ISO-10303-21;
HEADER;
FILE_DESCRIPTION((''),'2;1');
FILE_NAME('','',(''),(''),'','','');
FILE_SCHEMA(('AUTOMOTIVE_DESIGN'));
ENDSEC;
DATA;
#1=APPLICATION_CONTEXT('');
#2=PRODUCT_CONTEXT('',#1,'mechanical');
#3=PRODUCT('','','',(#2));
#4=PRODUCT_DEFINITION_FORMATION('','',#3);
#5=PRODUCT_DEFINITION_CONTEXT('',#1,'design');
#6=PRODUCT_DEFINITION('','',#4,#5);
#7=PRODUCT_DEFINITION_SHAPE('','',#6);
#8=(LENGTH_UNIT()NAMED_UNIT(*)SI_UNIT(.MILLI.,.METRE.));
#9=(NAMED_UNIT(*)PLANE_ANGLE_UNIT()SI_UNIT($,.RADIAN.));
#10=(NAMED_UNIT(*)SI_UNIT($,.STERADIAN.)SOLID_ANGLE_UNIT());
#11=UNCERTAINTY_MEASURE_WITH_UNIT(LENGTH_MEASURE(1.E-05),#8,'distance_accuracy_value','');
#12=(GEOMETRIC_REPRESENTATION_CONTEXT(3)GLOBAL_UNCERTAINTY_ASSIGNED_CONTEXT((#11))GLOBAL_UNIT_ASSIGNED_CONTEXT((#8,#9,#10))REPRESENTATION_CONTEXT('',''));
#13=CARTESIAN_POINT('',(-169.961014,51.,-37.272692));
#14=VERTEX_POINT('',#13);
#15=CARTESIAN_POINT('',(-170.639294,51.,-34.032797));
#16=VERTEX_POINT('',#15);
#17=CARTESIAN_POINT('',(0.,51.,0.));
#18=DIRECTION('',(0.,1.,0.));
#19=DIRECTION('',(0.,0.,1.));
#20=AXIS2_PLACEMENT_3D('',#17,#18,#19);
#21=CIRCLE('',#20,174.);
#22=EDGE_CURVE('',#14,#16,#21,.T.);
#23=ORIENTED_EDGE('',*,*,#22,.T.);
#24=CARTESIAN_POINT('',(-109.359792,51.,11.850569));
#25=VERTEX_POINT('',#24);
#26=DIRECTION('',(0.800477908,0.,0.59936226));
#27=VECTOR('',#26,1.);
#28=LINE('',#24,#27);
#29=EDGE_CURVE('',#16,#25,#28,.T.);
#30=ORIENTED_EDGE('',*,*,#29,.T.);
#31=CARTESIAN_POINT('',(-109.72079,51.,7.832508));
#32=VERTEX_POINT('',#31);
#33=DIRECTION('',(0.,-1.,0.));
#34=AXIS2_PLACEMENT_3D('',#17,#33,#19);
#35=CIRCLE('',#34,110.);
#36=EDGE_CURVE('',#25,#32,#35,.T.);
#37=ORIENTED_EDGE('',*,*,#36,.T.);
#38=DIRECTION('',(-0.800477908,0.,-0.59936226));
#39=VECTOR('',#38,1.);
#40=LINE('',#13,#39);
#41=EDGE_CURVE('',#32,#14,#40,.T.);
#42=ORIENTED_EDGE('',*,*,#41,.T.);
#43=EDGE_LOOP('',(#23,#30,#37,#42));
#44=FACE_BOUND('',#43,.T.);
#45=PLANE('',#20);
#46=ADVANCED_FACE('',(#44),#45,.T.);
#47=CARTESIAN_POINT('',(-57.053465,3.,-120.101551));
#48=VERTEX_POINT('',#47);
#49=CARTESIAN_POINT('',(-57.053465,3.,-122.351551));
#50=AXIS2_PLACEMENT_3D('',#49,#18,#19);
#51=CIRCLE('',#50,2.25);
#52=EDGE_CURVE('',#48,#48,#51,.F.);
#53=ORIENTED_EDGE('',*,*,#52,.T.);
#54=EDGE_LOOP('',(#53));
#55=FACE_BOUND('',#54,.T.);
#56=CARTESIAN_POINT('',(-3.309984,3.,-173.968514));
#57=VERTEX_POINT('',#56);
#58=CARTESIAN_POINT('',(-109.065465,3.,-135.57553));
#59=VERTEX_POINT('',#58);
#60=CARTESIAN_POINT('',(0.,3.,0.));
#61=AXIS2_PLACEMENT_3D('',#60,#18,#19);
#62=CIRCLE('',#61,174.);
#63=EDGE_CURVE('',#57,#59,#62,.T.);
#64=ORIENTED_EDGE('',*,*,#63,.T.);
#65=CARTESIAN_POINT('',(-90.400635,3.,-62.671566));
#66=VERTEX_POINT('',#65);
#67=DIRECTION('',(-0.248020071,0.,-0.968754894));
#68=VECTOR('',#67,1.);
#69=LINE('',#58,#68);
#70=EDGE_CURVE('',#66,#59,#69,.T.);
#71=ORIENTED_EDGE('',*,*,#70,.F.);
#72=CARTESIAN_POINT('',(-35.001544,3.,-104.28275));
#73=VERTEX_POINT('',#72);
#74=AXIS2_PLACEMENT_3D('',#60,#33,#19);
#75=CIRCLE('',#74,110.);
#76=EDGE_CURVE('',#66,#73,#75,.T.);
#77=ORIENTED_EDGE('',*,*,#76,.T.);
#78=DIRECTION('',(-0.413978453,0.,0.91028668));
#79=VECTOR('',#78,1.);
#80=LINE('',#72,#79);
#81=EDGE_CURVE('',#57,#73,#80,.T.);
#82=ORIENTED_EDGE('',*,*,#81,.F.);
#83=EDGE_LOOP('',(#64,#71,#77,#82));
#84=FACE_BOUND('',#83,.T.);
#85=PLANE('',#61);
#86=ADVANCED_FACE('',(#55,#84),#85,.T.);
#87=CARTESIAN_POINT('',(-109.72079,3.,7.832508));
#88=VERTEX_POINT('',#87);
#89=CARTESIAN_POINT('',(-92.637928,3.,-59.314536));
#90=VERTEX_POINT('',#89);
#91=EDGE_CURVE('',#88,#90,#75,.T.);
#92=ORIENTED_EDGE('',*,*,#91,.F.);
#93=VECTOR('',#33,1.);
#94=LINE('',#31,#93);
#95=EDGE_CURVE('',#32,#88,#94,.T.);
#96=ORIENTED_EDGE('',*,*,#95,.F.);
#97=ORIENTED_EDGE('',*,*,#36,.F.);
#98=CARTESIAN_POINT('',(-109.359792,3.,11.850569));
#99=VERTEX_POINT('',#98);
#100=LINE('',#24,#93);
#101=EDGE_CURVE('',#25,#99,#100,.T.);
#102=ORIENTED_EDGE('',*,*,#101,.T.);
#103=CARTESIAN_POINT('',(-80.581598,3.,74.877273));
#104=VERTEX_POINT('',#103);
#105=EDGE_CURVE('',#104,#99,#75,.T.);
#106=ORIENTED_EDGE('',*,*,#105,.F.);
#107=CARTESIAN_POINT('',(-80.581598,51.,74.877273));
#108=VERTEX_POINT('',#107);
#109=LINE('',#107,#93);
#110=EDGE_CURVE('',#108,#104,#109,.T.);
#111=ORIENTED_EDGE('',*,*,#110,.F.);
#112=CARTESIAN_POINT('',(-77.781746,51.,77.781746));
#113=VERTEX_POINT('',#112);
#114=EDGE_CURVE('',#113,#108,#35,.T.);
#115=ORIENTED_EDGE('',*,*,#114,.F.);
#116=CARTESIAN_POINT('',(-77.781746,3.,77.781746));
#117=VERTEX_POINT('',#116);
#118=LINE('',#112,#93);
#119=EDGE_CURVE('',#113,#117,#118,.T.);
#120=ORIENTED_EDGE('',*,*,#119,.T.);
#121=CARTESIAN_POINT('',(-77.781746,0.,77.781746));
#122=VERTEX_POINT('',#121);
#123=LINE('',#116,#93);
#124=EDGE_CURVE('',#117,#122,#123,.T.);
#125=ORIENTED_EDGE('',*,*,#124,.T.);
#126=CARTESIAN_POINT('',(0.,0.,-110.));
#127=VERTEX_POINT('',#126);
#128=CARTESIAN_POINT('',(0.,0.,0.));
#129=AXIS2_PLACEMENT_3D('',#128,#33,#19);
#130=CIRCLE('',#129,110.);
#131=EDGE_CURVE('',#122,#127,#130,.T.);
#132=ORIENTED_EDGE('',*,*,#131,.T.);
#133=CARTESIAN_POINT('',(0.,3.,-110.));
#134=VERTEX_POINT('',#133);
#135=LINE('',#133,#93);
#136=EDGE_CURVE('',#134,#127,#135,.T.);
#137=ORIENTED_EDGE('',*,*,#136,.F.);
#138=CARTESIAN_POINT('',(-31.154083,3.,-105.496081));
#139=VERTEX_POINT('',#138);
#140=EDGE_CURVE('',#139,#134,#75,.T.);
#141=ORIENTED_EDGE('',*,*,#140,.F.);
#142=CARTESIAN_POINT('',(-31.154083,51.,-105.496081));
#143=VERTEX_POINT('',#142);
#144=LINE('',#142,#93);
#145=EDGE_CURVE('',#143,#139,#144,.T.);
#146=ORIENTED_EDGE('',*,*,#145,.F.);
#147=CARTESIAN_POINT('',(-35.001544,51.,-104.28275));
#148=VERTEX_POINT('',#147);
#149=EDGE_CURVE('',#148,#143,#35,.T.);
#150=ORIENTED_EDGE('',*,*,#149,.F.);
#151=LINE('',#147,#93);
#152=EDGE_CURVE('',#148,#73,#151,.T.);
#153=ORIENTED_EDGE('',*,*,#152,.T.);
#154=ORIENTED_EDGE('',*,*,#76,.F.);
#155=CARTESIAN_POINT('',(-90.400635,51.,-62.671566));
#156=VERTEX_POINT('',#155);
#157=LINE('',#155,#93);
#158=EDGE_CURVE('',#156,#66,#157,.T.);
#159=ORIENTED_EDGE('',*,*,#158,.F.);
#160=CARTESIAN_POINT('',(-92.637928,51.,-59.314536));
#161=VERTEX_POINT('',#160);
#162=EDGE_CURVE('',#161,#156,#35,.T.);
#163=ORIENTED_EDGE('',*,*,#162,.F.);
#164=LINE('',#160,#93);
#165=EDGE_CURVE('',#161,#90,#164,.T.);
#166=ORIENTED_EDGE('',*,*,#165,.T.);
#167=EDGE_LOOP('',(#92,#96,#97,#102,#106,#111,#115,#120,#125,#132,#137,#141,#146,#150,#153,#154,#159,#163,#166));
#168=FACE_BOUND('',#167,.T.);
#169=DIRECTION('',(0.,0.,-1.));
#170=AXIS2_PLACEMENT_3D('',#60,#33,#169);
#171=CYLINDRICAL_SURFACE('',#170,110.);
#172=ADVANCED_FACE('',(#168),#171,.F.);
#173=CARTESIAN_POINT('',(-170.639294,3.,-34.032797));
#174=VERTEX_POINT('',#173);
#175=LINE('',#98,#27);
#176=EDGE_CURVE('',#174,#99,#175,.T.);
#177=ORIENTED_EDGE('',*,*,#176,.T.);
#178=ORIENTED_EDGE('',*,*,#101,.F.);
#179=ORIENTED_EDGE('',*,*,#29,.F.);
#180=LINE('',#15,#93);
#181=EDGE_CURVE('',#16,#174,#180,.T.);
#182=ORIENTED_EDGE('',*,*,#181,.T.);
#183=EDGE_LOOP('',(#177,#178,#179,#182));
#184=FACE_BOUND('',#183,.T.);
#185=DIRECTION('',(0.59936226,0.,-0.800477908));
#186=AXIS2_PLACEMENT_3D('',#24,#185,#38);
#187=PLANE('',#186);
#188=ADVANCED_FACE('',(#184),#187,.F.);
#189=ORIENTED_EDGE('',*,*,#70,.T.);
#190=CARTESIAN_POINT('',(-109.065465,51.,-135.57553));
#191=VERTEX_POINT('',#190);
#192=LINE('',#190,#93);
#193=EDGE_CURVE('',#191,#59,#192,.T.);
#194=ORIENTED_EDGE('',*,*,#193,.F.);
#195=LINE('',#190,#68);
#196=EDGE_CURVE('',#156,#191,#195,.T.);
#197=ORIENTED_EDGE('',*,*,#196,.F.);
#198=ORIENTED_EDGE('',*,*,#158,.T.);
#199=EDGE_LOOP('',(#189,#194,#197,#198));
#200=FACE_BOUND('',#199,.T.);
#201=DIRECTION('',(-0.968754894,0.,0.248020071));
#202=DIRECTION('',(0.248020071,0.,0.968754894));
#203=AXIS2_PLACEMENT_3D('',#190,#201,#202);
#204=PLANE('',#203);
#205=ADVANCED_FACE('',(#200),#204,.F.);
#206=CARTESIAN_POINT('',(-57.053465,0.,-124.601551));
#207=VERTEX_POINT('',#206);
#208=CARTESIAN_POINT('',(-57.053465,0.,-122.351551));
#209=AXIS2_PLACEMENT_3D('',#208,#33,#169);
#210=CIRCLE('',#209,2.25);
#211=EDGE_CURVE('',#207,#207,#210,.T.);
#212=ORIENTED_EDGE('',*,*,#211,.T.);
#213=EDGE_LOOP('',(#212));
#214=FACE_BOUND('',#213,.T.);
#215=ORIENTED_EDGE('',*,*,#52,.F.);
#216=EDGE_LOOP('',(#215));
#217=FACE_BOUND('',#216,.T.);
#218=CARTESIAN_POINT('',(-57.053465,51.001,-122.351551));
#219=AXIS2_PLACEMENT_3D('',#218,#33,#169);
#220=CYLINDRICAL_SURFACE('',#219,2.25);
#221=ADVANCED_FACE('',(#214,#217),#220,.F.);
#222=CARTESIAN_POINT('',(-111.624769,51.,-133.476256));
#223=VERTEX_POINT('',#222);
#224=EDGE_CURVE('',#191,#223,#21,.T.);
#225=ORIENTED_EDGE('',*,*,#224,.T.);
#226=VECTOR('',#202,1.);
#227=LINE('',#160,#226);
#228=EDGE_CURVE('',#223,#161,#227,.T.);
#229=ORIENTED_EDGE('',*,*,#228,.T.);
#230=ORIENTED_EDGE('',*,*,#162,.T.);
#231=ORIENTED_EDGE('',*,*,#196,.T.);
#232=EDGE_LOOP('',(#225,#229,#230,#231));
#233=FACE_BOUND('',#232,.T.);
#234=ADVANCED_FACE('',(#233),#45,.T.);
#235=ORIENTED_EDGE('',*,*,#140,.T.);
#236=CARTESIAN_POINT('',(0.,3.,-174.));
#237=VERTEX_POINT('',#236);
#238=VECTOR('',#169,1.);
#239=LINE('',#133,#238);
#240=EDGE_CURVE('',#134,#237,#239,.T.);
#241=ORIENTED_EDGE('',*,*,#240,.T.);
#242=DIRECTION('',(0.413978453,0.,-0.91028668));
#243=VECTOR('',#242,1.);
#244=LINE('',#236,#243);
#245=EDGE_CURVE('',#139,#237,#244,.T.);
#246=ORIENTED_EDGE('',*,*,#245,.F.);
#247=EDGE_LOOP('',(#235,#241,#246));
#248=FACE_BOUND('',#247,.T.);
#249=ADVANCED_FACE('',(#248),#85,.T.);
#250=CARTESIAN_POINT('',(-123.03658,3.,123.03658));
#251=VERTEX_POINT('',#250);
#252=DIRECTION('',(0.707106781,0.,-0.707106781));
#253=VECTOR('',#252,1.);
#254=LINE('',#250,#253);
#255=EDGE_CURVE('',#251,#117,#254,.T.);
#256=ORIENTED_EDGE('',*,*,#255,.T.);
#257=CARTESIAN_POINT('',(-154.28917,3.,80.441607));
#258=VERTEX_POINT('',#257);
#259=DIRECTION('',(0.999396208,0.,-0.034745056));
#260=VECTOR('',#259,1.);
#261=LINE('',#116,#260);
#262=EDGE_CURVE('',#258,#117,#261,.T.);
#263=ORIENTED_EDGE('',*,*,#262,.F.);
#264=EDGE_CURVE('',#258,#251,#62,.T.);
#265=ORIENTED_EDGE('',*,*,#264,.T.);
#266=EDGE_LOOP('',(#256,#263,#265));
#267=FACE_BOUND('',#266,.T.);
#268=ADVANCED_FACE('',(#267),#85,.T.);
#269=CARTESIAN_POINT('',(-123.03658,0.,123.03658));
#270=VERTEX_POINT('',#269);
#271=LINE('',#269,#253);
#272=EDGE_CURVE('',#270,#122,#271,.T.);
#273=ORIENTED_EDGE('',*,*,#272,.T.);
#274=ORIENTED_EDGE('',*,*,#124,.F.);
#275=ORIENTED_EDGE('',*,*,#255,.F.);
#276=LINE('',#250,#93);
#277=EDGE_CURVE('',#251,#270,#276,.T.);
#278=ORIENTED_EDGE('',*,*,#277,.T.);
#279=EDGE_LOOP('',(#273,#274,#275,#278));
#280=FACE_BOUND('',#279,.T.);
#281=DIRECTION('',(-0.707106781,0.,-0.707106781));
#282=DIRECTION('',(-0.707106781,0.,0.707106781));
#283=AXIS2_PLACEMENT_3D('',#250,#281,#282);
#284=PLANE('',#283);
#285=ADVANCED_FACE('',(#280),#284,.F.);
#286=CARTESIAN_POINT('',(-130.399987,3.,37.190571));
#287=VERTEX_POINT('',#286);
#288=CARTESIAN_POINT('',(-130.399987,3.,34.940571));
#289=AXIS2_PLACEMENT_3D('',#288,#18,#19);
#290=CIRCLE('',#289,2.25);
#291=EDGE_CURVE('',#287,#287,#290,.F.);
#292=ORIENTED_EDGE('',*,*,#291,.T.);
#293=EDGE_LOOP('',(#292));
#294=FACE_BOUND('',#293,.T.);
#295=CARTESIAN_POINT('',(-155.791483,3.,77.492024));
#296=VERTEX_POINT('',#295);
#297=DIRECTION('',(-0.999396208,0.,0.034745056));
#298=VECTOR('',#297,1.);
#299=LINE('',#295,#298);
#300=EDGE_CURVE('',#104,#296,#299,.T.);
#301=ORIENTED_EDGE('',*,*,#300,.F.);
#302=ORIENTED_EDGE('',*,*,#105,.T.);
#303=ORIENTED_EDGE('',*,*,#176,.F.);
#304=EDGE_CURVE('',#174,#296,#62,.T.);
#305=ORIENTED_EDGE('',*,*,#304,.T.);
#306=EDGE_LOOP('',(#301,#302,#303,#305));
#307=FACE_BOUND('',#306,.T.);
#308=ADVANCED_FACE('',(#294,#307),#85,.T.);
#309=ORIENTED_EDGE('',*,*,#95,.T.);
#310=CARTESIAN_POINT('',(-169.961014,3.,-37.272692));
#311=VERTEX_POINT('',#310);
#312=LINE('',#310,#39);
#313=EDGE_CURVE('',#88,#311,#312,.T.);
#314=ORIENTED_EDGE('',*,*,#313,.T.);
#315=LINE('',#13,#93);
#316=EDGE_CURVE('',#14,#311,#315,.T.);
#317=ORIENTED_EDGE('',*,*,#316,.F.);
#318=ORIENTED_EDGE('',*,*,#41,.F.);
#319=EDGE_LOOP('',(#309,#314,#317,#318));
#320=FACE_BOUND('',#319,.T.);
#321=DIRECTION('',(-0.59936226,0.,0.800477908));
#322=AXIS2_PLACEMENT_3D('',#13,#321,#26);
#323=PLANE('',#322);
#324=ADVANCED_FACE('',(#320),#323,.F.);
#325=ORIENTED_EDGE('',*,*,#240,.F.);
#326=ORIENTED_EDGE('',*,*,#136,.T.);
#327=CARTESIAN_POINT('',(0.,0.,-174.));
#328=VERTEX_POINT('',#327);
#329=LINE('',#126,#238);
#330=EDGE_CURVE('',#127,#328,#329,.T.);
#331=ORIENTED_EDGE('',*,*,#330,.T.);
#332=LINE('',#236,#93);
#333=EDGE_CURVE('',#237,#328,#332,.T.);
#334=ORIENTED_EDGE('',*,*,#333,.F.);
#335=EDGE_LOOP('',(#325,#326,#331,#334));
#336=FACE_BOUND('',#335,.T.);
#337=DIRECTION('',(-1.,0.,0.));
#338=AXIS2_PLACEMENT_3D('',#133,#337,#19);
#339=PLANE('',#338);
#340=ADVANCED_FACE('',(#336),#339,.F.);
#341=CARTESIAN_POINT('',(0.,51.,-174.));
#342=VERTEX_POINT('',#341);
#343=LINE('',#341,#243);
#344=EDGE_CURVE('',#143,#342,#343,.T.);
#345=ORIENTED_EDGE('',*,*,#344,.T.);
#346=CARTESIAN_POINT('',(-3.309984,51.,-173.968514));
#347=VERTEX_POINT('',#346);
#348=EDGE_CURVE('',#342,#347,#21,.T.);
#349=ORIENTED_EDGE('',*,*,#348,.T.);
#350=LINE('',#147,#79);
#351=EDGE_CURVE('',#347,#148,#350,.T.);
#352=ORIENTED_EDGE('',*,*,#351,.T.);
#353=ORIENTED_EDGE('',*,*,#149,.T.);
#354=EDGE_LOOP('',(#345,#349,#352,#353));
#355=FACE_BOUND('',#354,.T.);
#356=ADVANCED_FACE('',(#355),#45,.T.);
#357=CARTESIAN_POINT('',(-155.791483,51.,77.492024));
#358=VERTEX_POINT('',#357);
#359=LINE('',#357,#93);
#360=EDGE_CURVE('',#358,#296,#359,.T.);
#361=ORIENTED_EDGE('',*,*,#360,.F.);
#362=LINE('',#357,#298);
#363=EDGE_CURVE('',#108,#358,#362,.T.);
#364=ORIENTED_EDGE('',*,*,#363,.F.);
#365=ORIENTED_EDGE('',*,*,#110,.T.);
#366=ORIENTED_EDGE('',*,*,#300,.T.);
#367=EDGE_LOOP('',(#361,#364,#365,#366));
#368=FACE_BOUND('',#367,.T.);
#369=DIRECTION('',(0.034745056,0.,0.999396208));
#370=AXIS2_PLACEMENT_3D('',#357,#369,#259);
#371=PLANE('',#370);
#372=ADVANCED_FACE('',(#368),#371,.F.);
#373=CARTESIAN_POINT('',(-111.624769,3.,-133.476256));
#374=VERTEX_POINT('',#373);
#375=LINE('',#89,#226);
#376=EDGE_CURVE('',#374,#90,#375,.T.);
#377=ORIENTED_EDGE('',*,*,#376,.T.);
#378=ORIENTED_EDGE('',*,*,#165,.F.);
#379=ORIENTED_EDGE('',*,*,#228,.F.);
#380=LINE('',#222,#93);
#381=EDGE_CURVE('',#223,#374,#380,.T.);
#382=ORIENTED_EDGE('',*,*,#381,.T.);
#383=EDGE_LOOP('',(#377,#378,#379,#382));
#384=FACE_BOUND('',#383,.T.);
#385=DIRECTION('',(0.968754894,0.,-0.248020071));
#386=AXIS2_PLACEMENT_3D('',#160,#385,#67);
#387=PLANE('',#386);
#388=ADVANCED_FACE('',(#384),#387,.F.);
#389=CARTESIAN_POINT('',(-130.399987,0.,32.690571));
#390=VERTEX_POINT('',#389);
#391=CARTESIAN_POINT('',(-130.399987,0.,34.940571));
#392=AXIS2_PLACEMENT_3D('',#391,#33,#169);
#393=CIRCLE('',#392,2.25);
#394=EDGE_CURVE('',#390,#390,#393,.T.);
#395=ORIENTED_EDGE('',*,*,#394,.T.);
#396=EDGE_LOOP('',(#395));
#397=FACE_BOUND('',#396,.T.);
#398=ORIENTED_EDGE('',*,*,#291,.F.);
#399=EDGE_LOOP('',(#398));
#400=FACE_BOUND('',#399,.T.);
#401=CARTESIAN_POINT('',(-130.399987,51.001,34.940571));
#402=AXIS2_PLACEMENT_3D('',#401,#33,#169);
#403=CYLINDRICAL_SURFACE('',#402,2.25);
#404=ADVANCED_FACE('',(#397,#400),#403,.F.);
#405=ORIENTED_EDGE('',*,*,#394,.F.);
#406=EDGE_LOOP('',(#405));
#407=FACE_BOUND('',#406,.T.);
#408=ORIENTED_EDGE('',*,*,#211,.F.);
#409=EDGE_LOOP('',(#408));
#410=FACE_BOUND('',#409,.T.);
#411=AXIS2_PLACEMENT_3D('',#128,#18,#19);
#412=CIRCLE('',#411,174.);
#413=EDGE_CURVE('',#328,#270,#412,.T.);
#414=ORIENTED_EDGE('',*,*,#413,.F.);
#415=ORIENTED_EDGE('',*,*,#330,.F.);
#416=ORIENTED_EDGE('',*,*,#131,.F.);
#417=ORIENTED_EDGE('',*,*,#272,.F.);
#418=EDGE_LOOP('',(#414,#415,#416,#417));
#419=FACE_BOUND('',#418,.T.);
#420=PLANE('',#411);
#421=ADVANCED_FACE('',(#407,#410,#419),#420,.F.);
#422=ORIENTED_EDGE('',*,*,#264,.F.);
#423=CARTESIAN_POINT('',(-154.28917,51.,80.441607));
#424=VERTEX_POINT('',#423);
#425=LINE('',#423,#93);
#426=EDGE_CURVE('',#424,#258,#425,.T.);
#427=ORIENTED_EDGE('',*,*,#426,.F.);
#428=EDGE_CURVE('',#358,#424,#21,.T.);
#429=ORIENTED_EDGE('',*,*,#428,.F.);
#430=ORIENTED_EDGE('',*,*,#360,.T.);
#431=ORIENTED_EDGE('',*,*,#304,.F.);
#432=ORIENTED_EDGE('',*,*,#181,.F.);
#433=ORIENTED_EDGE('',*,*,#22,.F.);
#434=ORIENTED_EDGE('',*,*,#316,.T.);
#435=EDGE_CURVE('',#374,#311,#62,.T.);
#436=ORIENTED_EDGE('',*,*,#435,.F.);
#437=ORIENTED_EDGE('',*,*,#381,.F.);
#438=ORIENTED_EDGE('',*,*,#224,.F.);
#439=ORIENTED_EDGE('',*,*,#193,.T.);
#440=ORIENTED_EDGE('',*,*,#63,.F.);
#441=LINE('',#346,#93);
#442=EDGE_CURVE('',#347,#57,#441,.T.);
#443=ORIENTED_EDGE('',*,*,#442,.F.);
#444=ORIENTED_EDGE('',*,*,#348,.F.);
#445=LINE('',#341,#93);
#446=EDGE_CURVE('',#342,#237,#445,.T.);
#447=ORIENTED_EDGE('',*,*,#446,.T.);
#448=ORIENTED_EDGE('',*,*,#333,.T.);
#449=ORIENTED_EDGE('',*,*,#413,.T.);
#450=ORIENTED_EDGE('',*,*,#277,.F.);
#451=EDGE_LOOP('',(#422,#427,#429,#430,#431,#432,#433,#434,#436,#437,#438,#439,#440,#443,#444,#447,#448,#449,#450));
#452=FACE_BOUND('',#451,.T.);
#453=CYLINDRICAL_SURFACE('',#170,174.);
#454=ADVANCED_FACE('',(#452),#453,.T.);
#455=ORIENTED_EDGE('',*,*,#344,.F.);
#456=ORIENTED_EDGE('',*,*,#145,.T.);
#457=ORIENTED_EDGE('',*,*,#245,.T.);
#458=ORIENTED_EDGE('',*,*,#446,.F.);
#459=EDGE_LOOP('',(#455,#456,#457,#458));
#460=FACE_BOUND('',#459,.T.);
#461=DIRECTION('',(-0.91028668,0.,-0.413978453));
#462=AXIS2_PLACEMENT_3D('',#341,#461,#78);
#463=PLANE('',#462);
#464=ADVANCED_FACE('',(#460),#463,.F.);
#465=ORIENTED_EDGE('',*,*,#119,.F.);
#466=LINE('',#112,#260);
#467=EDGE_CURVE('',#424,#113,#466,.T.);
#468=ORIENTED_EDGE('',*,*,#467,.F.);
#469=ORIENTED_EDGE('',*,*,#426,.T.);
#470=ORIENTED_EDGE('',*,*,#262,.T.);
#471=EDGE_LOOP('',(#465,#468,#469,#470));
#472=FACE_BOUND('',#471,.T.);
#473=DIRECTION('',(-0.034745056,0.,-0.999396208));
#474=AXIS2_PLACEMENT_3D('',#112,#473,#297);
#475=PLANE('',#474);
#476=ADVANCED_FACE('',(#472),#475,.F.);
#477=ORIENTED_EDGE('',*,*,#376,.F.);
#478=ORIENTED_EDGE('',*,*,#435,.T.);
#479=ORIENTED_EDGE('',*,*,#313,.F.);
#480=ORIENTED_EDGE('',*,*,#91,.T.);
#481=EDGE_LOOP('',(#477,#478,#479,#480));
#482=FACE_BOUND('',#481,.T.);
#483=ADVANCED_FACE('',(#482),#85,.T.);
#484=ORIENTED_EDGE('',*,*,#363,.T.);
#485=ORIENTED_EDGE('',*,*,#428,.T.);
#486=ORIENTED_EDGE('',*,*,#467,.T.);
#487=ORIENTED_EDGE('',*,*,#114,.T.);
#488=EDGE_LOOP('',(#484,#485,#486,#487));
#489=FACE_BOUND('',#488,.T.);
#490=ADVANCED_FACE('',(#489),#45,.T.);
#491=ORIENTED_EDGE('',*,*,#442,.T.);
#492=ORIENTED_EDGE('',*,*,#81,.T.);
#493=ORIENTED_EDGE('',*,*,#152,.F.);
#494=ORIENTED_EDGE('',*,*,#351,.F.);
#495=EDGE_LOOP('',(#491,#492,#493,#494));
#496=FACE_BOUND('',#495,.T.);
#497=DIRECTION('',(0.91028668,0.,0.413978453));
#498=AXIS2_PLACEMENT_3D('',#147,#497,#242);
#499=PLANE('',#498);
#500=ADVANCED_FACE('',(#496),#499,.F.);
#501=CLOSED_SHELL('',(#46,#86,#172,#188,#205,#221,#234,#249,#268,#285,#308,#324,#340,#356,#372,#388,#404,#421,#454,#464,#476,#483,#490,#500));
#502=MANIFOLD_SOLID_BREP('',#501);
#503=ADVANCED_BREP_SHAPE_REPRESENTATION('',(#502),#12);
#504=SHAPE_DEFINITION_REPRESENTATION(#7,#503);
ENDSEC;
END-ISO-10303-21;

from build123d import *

# Parameters (mm, degrees)
BOSS_EXTRUDE3_DEPTH = 3
BOSS_EXTRUDE4_DEPTH = 48
CUT_EXTRUDE1_REACH  = 53
SKETCH3_R           = 2.25


with BuildPart() as part:
    # Sketch1 → Boss-Extrude3 (new body)
    with BuildSketch(Plane(origin=(0, 0, 0), x_dir=(1, 0, 0), z_dir=(0, 1, 0))):
        with BuildLine():
            Line((0, 110), (0, 174))
            ThreePointArc((0, 174), (-160.755038657, 66.586917232), (-123.036579926, -123.036579926))
            Line((-123.036579926, -123.036579926), (-77.781745931, -77.781745931))
            ThreePointArc((-77.781745931, -77.781745931), (-101.626748576, 42.09517756), (0, 110))
        make_face()
    extrude(amount=BOSS_EXTRUDE3_DEPTH)

    # Sketch2 → Boss-Extrude4 (add)
    with BuildSketch(Plane(origin=(0, 3, 0), x_dir=(1, 0, 0), z_dir=(0, 1, 0))):
        with BuildLine():
            Line((0, 174), (-31.15408253, 105.496081168))
            ThreePointArc((-31.15408253, 105.496081168), (-33.083376151, 104.907055161), (-35.001544118, 104.282749817))
            Line((-35.001544118, 104.282749817), (-3.30998401, 173.96851441))
            ThreePointArc((-3.30998401, 173.96851441), (-1.655066878, 173.992128424), (0, 174))
        make_face()
        with BuildLine():
            Line((-109.065465459, 135.575529666), (-90.400634695, 62.671566494))
            ThreePointArc((-90.400634695, 62.671566494), (-91.534672677, 61.00330891), (-92.637928339, 59.31453644))
            Line((-92.637928339, 59.31453644), (-111.624769164, 133.476255975))
            ThreePointArc((-111.624769164, 133.476255975), (-110.350109434, 134.531978904), (-109.065465459, 135.575529666))
        make_face()
        with BuildLine():
            Line((-169.961014343, 37.272692462), (-109.720790239, -7.832508497))
            ThreePointArc((-109.720790239, -7.832508497), (-109.558712711, -9.843194048), (-109.359791534, -11.850569418))
            Line((-109.359791534, -11.850569418), (-170.639294189, 34.032797103))
            ThreePointArc((-170.639294189, 34.032797103), (-170.307858813, 35.654357748), (-169.961014343, 37.272692462))
        make_face()
        with BuildLine():
            Line((-155.791483302, -77.492023659), (-80.581598087, -74.877273253))
            ThreePointArc((-80.581598087, -74.877273253), (-79.194988304, -76.342346228), (-77.781745931, -77.781745931))
            Line((-77.781745931, -77.781745931), (-154.289169819, -80.441606627))
            ThreePointArc((-154.289169819, -80.441606627), (-155.047340737, -78.970387679), (-155.791483302, -77.492023659))
        make_face()
    extrude(amount=BOSS_EXTRUDE4_DEPTH)

    # Sketch3 → Cut-Extrude1 (cut, up to next)
    with BuildSketch(Plane.XZ, mode=Mode.PRIVATE) as cut_extrude1_sk1:
        with Locations((-57.053465335, -122.35155125)):
            Circle(SKETCH3_R)
    cut_extrude1_tool1 = extrude(cut_extrude1_sk1.sketch, amount=-CUT_EXTRUDE1_REACH, mode=Mode.PRIVATE) & part.part
    add(cut_extrude1_tool1.solids().sort_by_distance((-57.053465, 0, -122.351551))[0], mode=Mode.SUBTRACT)
    # Sketch3 → Cut-Extrude1 (cut, up to next)
    with BuildSketch(Plane.XZ, mode=Mode.PRIVATE) as cut_extrude1_sk2:
        with Locations((-130.399986549, 34.940571089)):
            Circle(SKETCH3_R)
    cut_extrude1_tool2 = extrude(cut_extrude1_sk2.sketch, amount=-CUT_EXTRUDE1_REACH, mode=Mode.PRIVATE) & part.part
    add(cut_extrude1_tool2.solids().sort_by_distance((-130.399987, 0, 34.940571))[0], mode=Mode.SUBTRACT)


solid = part.part
